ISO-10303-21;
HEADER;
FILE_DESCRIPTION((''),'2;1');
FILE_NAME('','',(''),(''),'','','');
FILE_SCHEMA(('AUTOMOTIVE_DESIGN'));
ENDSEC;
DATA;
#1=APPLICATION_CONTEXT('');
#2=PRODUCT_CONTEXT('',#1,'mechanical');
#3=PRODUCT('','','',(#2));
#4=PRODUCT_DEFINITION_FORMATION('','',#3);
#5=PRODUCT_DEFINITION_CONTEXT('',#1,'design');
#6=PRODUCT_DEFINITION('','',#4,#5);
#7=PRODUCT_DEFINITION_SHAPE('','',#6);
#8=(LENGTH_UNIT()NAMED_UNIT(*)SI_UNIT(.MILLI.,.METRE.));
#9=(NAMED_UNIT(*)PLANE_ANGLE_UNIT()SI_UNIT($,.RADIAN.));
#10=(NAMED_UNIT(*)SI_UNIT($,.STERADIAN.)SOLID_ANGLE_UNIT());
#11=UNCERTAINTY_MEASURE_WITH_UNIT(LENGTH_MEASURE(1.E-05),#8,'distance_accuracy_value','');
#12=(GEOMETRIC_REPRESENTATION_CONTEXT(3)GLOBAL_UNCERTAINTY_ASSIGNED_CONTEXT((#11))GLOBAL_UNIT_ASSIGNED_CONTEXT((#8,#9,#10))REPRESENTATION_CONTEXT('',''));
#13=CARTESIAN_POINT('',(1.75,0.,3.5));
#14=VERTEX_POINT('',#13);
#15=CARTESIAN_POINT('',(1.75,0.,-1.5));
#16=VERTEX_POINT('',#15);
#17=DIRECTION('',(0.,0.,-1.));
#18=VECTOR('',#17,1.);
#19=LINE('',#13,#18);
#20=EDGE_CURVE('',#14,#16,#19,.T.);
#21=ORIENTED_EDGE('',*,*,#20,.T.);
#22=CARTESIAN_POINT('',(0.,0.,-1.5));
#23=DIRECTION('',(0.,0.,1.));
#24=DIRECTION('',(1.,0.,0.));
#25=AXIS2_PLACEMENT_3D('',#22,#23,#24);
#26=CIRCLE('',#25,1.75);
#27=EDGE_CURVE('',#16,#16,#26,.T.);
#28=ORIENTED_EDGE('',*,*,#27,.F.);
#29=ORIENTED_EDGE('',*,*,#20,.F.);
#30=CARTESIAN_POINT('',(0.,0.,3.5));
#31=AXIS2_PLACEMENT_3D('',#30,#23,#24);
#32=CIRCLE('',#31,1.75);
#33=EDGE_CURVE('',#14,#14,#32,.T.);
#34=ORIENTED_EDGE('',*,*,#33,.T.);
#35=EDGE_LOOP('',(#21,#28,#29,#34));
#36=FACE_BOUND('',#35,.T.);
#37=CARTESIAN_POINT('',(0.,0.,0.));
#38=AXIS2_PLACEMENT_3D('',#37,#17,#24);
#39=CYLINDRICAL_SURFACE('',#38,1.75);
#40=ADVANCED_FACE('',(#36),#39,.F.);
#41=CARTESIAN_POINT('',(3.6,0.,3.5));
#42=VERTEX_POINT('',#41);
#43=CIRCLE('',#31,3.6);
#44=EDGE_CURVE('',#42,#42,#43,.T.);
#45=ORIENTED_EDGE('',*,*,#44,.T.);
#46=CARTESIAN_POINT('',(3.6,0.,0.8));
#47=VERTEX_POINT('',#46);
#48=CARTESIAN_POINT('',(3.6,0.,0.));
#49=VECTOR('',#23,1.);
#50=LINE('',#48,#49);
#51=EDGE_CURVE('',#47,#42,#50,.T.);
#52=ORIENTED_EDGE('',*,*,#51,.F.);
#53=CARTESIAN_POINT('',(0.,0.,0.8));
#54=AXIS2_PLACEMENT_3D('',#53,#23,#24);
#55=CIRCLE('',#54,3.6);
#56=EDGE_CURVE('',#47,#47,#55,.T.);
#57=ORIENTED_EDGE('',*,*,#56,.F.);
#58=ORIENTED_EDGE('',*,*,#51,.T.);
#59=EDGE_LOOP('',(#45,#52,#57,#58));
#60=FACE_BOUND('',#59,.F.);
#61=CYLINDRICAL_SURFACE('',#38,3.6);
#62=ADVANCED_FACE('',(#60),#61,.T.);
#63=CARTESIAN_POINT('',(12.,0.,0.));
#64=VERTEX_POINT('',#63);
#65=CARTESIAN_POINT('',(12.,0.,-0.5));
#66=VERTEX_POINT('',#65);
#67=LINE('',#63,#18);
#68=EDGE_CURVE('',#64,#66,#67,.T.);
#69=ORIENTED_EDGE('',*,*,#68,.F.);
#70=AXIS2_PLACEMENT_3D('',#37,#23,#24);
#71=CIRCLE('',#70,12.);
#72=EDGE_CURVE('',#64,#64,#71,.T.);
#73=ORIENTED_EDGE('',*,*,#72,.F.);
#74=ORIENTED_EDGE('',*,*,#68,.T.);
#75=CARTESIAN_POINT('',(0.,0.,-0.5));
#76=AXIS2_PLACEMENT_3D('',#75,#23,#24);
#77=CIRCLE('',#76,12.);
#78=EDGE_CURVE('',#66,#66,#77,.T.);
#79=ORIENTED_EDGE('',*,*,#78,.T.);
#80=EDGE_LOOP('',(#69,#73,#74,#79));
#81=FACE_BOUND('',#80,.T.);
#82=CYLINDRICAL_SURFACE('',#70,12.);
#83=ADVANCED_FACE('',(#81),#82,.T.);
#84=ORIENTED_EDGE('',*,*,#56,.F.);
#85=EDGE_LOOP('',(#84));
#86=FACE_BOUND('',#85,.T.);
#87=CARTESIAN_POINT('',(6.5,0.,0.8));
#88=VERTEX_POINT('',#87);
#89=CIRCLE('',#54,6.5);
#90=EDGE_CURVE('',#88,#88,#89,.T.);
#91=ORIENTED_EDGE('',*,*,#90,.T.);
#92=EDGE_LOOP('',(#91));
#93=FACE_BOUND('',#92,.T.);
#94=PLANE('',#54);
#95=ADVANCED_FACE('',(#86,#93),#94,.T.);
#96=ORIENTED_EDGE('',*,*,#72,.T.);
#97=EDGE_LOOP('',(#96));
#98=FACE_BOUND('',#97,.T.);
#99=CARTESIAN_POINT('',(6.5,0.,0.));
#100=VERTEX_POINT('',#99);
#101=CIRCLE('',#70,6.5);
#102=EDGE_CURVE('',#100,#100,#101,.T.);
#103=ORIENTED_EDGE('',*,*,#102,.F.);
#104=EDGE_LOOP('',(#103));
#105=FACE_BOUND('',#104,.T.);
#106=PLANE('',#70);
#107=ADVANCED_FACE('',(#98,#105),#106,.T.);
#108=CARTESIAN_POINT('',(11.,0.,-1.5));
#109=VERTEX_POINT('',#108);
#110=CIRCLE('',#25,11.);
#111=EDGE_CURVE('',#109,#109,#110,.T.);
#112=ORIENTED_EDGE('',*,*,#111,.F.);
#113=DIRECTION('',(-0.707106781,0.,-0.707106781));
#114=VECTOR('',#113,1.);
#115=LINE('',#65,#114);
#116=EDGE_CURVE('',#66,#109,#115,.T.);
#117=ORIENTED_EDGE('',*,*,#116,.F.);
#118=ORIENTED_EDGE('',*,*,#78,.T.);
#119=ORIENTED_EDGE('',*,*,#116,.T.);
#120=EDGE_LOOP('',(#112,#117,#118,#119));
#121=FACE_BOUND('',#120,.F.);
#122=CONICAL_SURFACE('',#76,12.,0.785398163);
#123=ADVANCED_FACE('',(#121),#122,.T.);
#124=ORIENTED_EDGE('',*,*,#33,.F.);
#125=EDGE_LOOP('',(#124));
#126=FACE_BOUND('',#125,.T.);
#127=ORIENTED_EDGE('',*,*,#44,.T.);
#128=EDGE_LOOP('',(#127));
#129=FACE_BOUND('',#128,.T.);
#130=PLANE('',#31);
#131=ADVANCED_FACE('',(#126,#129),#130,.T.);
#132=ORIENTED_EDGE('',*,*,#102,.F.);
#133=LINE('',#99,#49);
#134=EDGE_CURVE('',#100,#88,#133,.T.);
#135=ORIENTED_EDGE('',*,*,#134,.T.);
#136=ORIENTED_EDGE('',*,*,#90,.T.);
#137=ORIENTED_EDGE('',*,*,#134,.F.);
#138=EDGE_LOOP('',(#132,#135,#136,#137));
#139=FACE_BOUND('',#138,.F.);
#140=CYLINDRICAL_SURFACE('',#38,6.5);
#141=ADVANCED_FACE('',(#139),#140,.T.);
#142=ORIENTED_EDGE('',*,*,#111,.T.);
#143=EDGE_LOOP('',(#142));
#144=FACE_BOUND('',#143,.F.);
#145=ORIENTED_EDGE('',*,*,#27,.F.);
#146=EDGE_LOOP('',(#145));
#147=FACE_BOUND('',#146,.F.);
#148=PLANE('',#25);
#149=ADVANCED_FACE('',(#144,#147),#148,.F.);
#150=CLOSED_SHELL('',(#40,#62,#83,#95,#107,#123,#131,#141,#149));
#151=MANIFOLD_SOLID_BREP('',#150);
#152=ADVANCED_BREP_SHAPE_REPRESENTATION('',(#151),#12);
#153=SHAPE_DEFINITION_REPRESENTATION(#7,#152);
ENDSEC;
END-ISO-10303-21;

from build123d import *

# Parameters (mm, degrees)
F0_R     = 12
F0_R_2   = 6.5
F0_R_3   = 3.6
F0_R_4   = 1.75
F1_DEPTH = 1.5
F2_DEPTH = 3.5
F3_DEPTH = 0.8
F4_SIZE  = 1


with BuildPart() as f1:
    # F0 (on Top) → F1 (new body)
    with BuildSketch(Plane.XY):
        Circle(F0_R)
        Circle(F0_R_2, mode=Mode.SUBTRACT)
        Circle(F0_R_2)
        Circle(F0_R_3, mode=Mode.SUBTRACT)
        Circle(F0_R_3)
        Circle(F0_R_4, mode=Mode.SUBTRACT)
    extrude(amount=-F1_DEPTH)

    # F0 (on Top) → F2 (join)
    with BuildSketch(Plane.XY):
        Circle(F0_R_3)
        Circle(F0_R_4, mode=Mode.SUBTRACT)
    extrude(amount=F2_DEPTH)

    # F0 (on Top) → F3 (join)
    with BuildSketch(Plane.XY):
        Circle(F0_R_2)
        Circle(F0_R_3, mode=Mode.SUBTRACT)
    extrude(amount=F3_DEPTH)

    # F4
    f4_edges = [f1.edges().sort_by_distance(p)[0] for p in [
        (-12, 0, -1.5),
    ]]
    chamfer(f4_edges, length=F4_SIZE)


solid = f1.part
